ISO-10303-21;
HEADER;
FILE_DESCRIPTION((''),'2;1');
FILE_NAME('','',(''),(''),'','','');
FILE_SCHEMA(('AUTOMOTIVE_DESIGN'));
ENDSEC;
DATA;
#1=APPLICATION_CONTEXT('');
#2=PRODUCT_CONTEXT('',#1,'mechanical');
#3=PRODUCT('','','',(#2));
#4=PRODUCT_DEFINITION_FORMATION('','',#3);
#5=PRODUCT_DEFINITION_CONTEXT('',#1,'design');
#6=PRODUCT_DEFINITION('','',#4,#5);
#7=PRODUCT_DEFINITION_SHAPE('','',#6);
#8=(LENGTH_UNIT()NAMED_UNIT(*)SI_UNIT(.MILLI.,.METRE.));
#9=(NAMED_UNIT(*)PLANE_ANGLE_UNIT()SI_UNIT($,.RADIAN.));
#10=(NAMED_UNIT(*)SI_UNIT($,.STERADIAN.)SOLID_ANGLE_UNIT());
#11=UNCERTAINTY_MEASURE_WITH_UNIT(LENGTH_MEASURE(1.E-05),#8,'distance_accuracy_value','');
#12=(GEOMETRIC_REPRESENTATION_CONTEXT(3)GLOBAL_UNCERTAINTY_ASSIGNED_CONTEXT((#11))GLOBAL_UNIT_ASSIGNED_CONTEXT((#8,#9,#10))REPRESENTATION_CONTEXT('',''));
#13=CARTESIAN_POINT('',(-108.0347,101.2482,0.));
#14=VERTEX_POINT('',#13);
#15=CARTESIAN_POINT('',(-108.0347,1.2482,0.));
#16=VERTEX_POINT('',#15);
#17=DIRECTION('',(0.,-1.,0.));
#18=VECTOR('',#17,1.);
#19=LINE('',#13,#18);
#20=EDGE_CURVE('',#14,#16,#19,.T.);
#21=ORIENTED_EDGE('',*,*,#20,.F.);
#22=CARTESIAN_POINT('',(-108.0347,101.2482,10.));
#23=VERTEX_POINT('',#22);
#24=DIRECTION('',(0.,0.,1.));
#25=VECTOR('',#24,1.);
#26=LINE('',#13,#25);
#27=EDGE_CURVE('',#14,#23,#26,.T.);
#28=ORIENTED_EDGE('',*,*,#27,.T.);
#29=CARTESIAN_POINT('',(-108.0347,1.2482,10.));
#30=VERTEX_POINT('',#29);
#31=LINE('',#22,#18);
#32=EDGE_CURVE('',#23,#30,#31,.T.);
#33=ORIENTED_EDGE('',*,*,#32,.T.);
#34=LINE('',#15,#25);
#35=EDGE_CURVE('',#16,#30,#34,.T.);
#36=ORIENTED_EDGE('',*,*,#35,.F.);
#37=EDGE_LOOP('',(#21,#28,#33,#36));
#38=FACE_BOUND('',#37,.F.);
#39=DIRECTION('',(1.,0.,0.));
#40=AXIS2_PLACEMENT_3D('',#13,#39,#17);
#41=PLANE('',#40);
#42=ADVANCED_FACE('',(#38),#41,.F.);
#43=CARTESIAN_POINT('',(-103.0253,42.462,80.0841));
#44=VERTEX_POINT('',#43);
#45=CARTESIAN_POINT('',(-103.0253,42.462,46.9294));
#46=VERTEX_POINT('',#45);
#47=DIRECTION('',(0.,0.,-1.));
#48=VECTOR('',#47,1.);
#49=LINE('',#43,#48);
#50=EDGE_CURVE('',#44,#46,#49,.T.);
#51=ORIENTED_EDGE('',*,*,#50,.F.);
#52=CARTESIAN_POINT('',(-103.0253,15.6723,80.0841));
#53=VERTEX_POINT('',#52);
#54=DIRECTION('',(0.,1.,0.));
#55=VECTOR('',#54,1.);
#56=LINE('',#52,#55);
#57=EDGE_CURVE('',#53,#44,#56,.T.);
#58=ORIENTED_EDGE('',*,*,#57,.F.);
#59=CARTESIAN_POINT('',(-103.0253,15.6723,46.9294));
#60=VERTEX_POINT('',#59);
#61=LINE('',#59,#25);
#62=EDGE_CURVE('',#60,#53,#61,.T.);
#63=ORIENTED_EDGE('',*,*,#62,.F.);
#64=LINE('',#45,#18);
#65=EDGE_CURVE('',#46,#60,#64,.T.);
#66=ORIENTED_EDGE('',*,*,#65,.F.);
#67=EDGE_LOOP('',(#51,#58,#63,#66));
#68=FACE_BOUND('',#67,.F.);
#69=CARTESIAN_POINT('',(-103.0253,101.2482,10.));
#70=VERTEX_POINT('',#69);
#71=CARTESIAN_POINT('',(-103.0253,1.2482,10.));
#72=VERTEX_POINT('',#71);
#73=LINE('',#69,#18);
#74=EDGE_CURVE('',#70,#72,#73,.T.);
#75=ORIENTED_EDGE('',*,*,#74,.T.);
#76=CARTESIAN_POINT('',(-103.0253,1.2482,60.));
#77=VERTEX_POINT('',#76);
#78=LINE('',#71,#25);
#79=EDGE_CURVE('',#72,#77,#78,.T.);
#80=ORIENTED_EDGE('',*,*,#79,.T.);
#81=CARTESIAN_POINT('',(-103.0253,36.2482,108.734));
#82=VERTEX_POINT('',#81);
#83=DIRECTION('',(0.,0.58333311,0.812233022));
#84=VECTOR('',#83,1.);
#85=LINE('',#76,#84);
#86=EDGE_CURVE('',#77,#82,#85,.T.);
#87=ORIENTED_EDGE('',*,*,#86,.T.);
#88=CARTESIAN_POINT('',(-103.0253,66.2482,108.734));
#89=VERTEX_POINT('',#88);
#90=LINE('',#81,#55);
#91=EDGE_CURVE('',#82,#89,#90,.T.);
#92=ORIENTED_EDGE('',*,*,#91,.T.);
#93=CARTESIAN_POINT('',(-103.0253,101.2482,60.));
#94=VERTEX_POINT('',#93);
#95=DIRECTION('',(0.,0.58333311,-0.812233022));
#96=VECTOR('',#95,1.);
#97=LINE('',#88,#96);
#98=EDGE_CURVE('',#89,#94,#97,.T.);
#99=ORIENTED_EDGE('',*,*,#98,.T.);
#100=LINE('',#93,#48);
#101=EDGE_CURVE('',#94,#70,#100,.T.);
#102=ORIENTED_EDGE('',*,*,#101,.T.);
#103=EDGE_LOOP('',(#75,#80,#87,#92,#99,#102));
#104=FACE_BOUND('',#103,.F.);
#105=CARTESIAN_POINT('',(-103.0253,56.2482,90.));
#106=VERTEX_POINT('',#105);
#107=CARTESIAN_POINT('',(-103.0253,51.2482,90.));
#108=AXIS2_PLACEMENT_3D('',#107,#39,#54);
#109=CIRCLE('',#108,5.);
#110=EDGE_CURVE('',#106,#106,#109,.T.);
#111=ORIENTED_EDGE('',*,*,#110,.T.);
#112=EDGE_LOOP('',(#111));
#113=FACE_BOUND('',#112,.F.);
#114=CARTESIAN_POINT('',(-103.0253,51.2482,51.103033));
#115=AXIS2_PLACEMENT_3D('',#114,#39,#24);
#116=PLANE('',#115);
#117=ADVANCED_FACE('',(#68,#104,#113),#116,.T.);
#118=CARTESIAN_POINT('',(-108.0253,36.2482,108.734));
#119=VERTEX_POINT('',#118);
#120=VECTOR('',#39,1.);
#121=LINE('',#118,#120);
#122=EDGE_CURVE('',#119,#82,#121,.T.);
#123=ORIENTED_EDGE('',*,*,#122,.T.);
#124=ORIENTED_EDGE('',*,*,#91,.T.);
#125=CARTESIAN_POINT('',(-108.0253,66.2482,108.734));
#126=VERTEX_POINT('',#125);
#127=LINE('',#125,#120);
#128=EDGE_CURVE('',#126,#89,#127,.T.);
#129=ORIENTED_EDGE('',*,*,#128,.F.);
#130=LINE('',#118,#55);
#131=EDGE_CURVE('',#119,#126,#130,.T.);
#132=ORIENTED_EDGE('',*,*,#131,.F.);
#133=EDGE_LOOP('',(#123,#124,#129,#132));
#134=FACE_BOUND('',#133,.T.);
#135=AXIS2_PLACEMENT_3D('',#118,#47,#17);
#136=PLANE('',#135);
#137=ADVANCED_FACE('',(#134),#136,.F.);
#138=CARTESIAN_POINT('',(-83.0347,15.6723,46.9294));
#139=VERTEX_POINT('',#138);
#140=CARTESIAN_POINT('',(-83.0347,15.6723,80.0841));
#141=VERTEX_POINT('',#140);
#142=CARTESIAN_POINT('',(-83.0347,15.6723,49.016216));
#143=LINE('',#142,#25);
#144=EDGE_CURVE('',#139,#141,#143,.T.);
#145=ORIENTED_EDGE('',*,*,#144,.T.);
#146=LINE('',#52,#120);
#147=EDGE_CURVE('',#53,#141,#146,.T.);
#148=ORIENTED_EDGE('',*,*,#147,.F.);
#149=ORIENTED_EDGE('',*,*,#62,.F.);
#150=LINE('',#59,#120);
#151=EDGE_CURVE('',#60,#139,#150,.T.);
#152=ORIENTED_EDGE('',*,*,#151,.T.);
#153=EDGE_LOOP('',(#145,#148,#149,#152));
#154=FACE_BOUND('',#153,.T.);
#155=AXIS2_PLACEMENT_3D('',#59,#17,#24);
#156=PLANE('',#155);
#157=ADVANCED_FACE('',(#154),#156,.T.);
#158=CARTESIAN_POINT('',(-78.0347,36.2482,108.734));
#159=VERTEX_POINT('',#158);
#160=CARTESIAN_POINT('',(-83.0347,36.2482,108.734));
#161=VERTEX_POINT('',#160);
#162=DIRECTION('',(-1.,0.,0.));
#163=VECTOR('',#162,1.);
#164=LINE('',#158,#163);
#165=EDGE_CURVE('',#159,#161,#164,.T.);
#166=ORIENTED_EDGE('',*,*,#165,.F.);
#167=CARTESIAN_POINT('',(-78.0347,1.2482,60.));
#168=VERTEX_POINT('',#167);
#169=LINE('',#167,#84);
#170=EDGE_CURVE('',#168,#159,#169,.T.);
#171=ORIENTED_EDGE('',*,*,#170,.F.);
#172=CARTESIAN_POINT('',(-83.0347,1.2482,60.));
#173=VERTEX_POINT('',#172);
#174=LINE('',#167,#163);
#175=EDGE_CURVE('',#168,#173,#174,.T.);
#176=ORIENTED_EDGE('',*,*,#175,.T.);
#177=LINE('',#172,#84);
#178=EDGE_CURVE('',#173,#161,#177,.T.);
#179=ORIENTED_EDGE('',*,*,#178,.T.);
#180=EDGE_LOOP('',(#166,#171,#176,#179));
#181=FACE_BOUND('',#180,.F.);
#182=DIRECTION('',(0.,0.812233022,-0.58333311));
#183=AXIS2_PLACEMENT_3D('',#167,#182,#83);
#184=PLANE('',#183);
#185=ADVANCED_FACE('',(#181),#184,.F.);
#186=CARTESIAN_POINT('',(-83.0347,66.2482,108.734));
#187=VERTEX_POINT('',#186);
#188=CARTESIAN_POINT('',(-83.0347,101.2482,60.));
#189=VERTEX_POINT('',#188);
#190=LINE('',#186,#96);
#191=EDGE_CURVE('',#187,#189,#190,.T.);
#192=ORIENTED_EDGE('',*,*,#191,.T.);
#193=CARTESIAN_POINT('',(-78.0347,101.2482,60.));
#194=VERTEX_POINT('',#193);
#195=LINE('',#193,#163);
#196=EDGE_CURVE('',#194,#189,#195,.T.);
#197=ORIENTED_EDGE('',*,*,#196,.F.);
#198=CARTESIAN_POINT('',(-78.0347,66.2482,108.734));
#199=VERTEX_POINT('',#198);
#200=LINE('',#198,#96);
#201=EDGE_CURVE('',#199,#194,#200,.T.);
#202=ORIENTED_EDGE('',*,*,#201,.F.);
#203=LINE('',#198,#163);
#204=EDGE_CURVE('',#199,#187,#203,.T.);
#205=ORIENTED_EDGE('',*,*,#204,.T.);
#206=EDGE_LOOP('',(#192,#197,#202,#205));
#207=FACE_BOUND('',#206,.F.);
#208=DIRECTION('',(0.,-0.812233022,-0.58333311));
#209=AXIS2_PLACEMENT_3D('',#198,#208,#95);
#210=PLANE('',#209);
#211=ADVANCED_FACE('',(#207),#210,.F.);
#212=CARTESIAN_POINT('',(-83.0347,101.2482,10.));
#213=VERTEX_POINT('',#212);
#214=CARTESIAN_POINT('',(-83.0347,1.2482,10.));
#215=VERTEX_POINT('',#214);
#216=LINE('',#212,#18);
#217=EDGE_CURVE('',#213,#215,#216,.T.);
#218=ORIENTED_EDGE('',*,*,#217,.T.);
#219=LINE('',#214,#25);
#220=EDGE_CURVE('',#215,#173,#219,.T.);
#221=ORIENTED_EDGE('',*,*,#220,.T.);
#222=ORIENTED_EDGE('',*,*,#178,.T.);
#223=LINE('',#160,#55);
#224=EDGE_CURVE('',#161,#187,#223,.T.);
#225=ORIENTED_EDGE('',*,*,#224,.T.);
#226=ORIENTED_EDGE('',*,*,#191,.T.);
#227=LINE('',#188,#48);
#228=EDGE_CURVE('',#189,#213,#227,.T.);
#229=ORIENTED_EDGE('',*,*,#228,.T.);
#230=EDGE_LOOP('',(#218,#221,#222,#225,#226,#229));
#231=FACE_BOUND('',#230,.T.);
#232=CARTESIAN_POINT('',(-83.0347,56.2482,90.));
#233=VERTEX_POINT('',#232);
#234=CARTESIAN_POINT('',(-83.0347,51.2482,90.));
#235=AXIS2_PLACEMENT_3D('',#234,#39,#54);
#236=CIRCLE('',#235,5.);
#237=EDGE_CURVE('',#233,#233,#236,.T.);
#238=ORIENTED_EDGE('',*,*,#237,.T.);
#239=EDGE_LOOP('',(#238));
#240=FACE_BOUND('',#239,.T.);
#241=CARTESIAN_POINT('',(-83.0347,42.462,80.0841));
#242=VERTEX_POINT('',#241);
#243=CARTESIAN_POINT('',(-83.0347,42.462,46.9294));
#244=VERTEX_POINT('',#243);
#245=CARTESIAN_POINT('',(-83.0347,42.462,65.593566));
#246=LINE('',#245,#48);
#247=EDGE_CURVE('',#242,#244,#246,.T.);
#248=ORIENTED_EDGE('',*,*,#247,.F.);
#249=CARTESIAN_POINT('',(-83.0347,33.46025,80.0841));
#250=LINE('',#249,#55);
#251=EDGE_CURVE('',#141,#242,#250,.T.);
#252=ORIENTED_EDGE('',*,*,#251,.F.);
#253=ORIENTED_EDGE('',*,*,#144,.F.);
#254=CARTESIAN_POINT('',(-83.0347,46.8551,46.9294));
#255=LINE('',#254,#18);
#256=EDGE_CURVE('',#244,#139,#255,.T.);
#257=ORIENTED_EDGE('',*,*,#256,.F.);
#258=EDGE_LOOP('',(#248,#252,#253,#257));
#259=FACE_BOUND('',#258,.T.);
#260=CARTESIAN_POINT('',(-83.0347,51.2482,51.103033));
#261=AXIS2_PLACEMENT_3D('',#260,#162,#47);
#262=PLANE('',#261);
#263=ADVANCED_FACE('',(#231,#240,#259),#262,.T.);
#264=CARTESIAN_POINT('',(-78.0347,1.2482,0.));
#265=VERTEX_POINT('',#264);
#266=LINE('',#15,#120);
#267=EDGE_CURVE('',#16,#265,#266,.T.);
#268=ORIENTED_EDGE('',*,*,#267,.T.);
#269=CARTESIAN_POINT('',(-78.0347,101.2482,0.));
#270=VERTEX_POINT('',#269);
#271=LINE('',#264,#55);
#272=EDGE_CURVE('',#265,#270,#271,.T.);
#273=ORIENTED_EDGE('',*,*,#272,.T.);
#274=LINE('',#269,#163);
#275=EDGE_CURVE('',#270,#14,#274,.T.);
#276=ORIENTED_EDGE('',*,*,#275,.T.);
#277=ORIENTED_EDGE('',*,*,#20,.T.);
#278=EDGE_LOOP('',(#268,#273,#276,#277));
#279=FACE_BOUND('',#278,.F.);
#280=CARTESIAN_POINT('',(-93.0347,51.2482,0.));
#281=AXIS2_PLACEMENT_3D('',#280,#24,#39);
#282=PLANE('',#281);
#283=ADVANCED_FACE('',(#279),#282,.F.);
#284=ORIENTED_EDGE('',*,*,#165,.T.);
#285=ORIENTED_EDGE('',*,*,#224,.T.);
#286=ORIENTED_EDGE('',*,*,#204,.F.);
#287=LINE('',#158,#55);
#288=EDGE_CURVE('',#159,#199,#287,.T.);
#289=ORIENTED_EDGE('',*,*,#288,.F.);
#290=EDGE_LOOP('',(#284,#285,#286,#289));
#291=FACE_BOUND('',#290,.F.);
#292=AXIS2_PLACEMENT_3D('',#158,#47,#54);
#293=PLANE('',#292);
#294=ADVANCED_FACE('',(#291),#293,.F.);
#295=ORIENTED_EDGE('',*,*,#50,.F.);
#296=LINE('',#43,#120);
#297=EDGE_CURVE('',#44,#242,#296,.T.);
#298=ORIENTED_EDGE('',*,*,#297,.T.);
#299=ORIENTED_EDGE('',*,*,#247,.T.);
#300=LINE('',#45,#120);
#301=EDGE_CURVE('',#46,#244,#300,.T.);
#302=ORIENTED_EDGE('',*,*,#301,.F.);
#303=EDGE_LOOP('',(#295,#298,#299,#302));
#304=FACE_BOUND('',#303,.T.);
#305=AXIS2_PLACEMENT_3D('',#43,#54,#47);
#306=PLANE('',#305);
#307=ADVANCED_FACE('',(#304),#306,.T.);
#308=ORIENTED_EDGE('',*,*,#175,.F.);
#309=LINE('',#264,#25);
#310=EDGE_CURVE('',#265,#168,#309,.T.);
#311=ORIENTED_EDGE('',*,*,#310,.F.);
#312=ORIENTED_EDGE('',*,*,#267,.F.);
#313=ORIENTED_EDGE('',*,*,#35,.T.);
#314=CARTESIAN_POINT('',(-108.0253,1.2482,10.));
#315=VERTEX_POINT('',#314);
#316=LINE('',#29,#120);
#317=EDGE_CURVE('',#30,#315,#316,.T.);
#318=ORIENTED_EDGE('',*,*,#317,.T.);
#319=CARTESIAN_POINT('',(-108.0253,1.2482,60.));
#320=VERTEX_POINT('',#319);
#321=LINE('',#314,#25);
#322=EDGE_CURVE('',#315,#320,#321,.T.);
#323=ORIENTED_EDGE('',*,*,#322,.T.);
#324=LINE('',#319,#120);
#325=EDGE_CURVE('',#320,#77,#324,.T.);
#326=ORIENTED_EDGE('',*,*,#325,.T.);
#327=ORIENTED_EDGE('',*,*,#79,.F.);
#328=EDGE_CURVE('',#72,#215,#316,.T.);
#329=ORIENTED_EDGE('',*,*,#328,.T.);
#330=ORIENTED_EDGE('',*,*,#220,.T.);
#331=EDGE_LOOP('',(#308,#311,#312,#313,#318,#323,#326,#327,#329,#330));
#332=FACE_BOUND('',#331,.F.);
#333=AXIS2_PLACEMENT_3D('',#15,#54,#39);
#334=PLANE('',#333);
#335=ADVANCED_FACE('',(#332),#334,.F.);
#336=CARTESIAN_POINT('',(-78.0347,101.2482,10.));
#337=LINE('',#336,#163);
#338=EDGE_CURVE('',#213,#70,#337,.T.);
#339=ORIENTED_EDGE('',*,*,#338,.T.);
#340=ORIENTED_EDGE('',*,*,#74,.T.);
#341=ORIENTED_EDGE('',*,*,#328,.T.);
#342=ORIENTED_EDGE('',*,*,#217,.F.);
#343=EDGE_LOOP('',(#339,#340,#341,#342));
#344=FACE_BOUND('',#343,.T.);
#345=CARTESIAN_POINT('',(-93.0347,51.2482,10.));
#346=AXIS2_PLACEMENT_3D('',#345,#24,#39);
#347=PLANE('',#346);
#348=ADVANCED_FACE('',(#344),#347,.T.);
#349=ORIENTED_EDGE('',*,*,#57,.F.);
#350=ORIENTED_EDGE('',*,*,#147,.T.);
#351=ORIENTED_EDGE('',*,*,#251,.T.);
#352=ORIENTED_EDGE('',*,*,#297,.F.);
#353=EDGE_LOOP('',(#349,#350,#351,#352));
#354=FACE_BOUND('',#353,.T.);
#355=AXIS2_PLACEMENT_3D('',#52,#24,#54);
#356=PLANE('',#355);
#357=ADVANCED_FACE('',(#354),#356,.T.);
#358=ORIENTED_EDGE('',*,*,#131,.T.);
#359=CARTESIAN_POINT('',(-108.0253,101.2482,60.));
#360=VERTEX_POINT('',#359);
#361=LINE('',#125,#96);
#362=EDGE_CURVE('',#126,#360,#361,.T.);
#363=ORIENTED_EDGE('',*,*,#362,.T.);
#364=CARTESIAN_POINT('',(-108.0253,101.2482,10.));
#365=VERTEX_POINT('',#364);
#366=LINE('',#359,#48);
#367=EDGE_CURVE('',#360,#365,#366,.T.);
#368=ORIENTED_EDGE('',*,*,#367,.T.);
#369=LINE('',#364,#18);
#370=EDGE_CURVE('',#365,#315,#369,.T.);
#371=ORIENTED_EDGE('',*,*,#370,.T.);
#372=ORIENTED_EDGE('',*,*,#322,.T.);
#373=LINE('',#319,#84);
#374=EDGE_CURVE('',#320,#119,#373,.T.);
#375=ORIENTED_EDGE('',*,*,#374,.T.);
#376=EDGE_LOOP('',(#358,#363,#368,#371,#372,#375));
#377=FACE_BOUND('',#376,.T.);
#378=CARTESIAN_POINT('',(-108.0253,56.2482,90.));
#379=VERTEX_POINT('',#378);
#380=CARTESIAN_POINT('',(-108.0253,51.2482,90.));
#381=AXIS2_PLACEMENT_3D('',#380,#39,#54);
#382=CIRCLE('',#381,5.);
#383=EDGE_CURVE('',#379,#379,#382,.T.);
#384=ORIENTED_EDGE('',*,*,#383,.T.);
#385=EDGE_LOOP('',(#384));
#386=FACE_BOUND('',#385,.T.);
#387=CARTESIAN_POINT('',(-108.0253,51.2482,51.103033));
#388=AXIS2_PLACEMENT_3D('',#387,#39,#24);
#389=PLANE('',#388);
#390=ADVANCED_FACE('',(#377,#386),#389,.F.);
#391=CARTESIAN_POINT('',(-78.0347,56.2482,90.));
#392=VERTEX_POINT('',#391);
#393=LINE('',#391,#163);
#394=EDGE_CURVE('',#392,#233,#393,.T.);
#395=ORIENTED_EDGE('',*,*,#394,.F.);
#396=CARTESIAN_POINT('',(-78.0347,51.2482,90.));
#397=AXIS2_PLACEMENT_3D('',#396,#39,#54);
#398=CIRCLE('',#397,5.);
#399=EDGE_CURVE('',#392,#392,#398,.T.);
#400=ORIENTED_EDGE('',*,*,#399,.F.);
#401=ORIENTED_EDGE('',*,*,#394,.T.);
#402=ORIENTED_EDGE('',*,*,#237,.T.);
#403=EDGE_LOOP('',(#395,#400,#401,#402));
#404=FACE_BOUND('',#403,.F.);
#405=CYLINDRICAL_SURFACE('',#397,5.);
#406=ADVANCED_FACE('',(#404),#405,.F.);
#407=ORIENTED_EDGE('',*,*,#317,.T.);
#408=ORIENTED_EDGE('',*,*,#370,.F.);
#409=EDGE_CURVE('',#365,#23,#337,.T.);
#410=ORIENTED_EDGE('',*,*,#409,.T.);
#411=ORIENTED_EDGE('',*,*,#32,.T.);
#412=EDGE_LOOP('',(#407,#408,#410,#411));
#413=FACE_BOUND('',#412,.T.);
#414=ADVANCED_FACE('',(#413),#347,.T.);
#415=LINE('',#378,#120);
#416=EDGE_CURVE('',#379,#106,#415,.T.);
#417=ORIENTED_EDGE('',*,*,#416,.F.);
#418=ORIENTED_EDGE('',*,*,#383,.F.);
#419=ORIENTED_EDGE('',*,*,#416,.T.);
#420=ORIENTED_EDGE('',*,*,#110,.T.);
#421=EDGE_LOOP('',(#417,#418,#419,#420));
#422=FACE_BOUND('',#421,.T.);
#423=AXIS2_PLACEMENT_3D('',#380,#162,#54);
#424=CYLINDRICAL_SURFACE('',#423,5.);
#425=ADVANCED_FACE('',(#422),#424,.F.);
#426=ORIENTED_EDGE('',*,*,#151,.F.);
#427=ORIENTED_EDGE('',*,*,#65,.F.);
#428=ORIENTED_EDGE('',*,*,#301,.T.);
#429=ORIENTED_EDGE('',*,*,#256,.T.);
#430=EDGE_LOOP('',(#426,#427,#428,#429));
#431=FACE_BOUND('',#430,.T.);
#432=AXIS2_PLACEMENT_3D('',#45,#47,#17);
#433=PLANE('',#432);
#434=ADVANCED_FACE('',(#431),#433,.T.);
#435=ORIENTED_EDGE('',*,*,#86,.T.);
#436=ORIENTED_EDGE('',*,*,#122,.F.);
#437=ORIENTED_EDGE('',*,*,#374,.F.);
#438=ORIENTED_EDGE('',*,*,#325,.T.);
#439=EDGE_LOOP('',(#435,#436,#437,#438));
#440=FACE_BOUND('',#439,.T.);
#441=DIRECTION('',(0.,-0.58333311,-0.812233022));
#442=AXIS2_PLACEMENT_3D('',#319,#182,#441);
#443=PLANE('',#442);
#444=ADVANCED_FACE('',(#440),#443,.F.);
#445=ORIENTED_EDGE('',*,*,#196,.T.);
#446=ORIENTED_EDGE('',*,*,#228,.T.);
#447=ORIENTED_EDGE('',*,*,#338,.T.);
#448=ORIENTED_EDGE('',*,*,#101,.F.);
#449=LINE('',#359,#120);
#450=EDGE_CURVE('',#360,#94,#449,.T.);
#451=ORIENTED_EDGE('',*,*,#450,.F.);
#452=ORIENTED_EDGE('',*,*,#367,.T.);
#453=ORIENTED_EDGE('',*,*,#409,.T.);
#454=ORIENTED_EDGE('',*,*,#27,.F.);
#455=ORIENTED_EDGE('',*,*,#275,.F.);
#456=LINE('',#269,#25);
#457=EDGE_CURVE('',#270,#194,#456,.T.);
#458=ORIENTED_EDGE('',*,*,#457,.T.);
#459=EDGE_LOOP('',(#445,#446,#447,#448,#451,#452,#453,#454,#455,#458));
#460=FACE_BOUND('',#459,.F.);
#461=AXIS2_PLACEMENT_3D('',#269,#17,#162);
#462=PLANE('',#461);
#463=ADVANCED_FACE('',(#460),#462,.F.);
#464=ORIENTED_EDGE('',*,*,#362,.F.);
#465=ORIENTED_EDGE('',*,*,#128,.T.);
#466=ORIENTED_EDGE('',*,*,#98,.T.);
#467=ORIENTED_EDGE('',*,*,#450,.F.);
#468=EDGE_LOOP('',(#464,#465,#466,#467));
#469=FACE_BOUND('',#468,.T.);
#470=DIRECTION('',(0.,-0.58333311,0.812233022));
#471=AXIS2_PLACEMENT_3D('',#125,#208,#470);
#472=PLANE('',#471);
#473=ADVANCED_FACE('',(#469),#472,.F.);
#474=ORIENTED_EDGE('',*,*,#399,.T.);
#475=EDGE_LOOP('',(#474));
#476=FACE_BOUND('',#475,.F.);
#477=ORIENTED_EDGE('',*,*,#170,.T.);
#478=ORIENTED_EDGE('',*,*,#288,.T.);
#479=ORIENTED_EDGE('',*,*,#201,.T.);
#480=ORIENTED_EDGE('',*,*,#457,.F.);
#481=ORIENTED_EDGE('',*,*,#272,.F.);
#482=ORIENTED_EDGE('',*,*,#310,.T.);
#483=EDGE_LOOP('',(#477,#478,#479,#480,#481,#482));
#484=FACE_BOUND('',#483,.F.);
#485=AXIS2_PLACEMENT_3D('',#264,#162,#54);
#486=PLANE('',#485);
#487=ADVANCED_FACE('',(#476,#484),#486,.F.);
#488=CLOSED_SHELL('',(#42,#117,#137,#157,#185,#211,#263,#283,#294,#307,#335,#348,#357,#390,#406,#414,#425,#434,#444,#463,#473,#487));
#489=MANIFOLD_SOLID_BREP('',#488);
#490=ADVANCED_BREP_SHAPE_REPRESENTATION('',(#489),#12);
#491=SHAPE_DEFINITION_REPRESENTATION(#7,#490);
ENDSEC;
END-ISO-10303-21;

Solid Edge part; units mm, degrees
sketch "Sketch1" plane through (0, 0, 0) normal (0, 0, 1) x (1, 0, 0)
  line L0 (-108.0347, 1.2482) -> (-78.0347, 1.2482)
  line L1 (-78.0347, 1.2482) -> (-78.0347, 101.2482)
  line L2 (-78.0347, 101.2482) -> (-108.0347, 101.2482)
  line L3 (-108.0347, 101.2482) -> (-108.0347, 1.2482)
  dimension "D1" = 100
  dimension "D2" = 30
extrude "Protrusion1" add sketch "Sketch1" along normal blind 10
sketch "Sketch2" plane through (-78.0347, 51.2482, 5) normal (1, 0, 0) x (0, 1, 0)
  circle A0 centre (0, 85) radius 5
  line L0 (-50, 5) -> (-50, 55)
  line L1 (-50, 55) -> (-15, 103.734)
  line L2 (-15, 103.734) -> (15, 103.734)
  line L3 (15, 103.734) -> (50, 55)
  line L4 (50, 55) -> (50, 5)
  line L5 (50, 5) -> (-50, 5)
  dimension "D1" = 50
  dimension "D2" = 50
  dimension "D3" = 10
  dimension "D4" = 80
  dimension "D5" = 60
  dimension "D6" = 60
  dimension "D7" = 30
  dimension "D8" = 100
extrude "ExtrudedProtrusion_2" add sketch "Sketch2" against normal blind 5
mirror "Mirror1" about plane through (-93.03, 0, 0) normal (1, 0, 0) of "ExtrudedProtrusion_2"
sketch "Sketch3" plane through (-103.0253, 51.2482, 59.367) normal (1, 0, 0) x (0, 1, 0)
  line L0 (-35.5759, 20.7171) -> (-8.7862, 20.7171)
  line L1 (-8.7862, 20.7171) -> (-8.7862, -12.4376)
  line L2 (-8.7862, -12.4376) -> (-35.5759, -12.4376)
  line L3 (-35.5759, -12.4376) -> (-35.5759, 20.7171)
extrude "Protrusion3" add sketch "Sketch3" along normal up to vertex (19.9907 mm away)
